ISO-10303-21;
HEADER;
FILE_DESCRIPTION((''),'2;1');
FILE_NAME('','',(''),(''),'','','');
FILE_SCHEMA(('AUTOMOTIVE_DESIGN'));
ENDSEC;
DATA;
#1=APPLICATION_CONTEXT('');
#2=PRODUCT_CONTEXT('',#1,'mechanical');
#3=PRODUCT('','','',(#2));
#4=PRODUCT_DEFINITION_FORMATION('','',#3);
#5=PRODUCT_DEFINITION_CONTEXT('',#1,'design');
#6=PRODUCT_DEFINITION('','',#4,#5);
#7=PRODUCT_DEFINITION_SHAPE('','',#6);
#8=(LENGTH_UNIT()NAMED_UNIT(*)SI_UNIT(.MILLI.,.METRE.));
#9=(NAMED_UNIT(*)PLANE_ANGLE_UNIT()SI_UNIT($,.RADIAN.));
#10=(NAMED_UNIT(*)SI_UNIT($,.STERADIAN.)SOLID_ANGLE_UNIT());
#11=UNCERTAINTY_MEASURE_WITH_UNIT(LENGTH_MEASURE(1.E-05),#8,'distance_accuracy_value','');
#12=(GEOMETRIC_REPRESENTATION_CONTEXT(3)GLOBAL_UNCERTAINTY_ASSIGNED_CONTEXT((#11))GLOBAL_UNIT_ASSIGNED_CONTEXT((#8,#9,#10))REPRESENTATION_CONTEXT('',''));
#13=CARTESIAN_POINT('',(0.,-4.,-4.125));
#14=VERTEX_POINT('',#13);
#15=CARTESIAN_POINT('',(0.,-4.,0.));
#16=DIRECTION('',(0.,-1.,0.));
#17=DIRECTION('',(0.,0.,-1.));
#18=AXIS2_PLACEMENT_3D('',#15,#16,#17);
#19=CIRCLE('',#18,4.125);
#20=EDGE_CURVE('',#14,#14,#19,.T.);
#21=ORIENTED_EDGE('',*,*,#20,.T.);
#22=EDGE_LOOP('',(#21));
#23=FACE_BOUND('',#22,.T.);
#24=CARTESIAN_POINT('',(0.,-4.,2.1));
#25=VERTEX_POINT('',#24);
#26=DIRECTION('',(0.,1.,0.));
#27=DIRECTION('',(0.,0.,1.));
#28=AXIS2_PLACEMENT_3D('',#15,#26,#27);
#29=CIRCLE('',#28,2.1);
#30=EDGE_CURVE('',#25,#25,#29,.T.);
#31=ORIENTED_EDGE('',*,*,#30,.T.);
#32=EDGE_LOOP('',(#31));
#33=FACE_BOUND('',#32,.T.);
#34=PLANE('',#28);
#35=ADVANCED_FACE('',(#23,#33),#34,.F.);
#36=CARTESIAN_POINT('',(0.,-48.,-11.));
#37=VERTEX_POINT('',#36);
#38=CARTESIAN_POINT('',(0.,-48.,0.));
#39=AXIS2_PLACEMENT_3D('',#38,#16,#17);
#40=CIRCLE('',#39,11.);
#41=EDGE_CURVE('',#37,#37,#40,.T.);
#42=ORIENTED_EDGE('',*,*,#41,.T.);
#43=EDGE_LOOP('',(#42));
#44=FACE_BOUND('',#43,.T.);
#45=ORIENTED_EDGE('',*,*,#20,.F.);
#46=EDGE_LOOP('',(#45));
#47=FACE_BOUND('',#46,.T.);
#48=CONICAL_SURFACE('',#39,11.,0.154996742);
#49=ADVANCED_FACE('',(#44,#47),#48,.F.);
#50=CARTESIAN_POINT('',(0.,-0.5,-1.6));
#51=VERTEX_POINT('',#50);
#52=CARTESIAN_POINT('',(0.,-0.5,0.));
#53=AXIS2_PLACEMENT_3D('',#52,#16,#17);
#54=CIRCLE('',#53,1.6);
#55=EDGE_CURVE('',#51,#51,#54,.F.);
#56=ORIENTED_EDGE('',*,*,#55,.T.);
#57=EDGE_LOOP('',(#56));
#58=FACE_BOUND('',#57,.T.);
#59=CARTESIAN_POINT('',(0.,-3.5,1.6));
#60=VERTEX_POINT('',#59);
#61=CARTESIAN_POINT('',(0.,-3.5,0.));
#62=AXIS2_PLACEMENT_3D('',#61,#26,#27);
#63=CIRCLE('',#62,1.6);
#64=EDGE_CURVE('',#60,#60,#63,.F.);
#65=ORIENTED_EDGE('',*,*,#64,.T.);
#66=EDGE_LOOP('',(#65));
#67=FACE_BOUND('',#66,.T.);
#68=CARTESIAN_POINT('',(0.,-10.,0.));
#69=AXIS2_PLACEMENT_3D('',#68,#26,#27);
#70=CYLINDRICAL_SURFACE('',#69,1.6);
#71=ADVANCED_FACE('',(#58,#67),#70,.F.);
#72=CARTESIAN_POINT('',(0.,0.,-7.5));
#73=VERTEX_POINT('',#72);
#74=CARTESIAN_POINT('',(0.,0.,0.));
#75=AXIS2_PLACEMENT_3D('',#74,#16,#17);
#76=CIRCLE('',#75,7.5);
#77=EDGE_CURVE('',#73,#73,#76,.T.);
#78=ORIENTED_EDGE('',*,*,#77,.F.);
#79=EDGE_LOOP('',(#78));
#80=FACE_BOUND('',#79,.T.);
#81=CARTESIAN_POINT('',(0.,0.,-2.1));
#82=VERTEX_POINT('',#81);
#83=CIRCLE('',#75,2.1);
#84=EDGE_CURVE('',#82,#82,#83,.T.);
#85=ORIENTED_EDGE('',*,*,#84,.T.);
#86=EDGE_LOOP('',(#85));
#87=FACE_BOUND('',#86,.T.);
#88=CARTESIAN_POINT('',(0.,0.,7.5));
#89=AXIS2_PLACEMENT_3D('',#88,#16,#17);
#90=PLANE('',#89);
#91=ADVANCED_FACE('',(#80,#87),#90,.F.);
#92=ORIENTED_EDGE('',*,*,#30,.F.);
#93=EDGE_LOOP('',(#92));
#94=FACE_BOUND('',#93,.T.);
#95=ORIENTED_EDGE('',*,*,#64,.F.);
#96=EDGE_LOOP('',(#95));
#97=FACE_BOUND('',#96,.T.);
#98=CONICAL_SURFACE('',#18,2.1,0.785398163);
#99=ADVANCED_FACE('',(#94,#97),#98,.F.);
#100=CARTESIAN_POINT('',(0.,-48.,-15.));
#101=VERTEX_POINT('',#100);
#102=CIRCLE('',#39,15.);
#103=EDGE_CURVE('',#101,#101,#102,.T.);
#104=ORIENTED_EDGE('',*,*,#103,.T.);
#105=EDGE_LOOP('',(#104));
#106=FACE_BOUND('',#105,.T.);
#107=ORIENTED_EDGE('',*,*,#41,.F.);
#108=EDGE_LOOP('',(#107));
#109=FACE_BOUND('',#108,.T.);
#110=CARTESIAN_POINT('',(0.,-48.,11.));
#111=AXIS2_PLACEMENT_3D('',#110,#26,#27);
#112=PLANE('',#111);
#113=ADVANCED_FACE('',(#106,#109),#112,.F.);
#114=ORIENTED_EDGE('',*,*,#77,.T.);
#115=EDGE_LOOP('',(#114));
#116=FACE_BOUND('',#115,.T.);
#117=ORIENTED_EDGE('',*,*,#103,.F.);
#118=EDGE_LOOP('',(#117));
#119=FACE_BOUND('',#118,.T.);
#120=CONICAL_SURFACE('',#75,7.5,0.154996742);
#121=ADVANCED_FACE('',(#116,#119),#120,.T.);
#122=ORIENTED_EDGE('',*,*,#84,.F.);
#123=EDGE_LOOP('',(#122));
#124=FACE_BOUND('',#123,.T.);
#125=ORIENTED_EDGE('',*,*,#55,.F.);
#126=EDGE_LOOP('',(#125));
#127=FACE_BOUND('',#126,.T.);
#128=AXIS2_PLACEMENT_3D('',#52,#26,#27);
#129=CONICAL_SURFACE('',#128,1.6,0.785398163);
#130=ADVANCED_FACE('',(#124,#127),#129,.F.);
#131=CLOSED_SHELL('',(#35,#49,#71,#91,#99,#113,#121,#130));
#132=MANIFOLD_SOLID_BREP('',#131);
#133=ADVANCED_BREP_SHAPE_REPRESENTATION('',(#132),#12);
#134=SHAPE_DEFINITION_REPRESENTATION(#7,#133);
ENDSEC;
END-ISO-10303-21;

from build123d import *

# Parameters (mm, degrees)
SKETCH_4_R          = 1.6
CUT_EXTRUDE_1_DEPTH = 10
CHAMFER_1_SIZE      = 0.5


with BuildPart() as part:
    # 草图3 → 旋转1 (revolve)
    with BuildSketch(Plane(origin=(0, 0, 0), x_dir=(0, 0, -1), z_dir=(1, 0, 0)), mode=Mode.PRIVATE) as revolve_1_sk:
        Polygon((-7.5, 0), (0, 0), (0, -4), (-4.125, -4), (-11, -48), (-15, -48), align=None)
    revolve(revolve_1_sk.sketch.rotate(Axis((0, 28.450677981, 0), (0, 1, 0)), 180), axis=Axis((0, 28.450677981, 0), (0, 1, 0)))

    # 草图4 → 切除-拉伸1 (cut)
    with BuildSketch(Plane(origin=(0, 0, 0), x_dir=(1, 0, 0), z_dir=(0, 1, 0))):
        with Locations(Location((0, 0, 0), (0, 0, 270))):
            Circle(SKETCH_4_R)
    extrude(amount=-CUT_EXTRUDE_1_DEPTH, mode=Mode.SUBTRACT)

    # 倒角1
    chamfer_1_edges = [part.edges().sort_by_distance(p)[0] for p in [
        (0, -4, -1.6),
        (0, 0, -1.6),
    ]]
    chamfer(chamfer_1_edges, length=CHAMFER_1_SIZE)


solid = part.part
